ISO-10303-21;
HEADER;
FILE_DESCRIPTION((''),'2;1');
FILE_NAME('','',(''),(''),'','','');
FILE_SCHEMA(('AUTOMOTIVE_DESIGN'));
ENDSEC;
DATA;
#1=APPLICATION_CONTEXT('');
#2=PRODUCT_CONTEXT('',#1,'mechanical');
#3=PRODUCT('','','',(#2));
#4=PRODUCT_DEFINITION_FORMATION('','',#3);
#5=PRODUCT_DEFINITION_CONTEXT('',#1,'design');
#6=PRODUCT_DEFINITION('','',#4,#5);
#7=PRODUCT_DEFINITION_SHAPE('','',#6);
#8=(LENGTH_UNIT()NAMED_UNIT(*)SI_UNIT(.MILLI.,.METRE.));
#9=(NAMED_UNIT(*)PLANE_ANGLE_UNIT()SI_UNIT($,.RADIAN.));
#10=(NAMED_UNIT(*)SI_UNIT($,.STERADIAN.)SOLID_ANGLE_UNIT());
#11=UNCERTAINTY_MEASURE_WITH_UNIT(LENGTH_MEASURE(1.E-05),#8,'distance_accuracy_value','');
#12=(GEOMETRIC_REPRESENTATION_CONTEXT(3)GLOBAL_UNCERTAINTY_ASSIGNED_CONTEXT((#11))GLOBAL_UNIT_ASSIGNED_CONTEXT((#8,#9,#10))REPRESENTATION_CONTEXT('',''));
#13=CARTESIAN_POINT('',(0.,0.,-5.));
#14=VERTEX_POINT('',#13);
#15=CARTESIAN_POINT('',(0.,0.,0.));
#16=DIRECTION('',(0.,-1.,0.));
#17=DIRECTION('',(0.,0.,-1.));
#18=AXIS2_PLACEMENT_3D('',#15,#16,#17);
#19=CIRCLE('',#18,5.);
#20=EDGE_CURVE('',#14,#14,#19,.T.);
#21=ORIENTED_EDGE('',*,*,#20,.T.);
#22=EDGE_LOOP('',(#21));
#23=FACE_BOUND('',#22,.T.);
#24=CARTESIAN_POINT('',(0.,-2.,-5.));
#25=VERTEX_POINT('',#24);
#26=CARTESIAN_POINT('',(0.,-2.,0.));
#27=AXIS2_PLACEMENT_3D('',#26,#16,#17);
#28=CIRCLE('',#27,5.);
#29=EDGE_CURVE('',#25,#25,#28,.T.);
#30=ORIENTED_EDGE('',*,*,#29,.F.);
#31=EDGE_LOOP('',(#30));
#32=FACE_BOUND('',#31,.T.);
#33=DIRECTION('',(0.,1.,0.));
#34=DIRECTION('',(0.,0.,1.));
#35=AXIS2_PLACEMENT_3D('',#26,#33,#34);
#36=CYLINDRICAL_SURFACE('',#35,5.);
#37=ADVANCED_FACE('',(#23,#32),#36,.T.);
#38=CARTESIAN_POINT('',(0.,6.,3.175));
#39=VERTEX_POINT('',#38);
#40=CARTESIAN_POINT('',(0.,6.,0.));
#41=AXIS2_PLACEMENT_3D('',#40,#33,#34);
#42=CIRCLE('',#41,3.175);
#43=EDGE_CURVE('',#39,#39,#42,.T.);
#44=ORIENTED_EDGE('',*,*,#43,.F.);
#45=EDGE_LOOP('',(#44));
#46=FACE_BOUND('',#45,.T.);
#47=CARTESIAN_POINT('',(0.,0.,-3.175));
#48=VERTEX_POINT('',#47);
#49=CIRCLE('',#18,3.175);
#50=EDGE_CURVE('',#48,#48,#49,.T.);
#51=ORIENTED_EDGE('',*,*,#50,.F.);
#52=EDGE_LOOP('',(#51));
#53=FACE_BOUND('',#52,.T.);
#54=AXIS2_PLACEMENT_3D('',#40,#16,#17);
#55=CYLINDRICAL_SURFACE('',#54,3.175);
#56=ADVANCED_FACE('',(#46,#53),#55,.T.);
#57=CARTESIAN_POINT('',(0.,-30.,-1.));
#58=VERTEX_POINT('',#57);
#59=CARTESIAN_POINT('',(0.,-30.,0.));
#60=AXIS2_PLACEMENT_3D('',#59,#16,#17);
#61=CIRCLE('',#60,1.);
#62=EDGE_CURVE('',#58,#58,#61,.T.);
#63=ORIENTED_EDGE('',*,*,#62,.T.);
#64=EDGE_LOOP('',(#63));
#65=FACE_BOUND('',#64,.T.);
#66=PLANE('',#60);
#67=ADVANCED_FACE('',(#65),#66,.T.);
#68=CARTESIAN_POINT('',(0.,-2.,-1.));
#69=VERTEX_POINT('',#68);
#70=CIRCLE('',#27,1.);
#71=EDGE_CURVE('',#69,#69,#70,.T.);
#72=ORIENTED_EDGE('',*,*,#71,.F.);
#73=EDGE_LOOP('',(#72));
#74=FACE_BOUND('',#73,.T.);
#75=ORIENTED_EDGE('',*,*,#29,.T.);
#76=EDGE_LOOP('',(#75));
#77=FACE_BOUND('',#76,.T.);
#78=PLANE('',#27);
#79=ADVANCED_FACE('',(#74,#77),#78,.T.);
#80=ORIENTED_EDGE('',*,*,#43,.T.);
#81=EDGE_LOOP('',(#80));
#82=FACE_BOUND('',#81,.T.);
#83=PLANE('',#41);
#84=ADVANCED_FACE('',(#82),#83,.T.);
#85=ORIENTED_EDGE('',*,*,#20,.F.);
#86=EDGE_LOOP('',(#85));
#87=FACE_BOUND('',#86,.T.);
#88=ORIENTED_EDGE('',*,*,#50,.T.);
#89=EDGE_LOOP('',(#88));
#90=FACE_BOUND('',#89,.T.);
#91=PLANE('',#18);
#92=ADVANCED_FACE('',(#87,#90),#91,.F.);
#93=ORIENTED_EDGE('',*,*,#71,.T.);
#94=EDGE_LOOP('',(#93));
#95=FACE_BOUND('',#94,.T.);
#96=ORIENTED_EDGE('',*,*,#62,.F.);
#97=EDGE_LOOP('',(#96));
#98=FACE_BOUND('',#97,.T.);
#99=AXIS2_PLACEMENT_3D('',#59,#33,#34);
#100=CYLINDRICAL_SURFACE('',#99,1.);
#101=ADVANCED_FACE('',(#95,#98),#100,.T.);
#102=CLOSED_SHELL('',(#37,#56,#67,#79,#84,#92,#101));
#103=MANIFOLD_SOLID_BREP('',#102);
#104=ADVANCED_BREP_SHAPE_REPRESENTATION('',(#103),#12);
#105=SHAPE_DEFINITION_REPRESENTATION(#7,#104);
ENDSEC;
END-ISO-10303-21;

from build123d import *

# Parameters (mm, degrees)
SKETCH_1_R      = 3.175
EXTRUDE_1_DEPTH = 6
SKETCH_2_R      = 1
EXTRUDE_2_DEPTH = 30
SKETCH_3_R      = 5
EXTRUDE_3_DEPTH = 2


with BuildPart() as part:
    # 草图1 → 凸台-拉伸1 (new body)
    with BuildSketch(Plane(origin=(0, 0, 0), x_dir=(1, 0, 0), z_dir=(0, 1, 0))):
        with Locations(Location((0, 0, 0), (0, 0, 270))):
            Circle(SKETCH_1_R)
    extrude(amount=EXTRUDE_1_DEPTH)

    # 草图2 → 凸台-拉伸2 (add)
    with BuildSketch(Plane(origin=(0, 0, 0), x_dir=(-1, 0, 0), z_dir=(0, -1, 0))):
        with Locations(Location((0, 0, 0), (0, 0, 90))):
            Circle(SKETCH_2_R)
    extrude(amount=EXTRUDE_2_DEPTH)

    # 草图3 → 凸台-拉伸3 (add)
    with BuildSketch(Plane(origin=(0, 0, 0), x_dir=(-1, 0, 0), z_dir=(0, -1, 0))):
        with Locations(Location((0, 0, 0), (0, 0, 90))):
            Circle(SKETCH_3_R)
    extrude(amount=EXTRUDE_3_DEPTH)


solid = part.part
